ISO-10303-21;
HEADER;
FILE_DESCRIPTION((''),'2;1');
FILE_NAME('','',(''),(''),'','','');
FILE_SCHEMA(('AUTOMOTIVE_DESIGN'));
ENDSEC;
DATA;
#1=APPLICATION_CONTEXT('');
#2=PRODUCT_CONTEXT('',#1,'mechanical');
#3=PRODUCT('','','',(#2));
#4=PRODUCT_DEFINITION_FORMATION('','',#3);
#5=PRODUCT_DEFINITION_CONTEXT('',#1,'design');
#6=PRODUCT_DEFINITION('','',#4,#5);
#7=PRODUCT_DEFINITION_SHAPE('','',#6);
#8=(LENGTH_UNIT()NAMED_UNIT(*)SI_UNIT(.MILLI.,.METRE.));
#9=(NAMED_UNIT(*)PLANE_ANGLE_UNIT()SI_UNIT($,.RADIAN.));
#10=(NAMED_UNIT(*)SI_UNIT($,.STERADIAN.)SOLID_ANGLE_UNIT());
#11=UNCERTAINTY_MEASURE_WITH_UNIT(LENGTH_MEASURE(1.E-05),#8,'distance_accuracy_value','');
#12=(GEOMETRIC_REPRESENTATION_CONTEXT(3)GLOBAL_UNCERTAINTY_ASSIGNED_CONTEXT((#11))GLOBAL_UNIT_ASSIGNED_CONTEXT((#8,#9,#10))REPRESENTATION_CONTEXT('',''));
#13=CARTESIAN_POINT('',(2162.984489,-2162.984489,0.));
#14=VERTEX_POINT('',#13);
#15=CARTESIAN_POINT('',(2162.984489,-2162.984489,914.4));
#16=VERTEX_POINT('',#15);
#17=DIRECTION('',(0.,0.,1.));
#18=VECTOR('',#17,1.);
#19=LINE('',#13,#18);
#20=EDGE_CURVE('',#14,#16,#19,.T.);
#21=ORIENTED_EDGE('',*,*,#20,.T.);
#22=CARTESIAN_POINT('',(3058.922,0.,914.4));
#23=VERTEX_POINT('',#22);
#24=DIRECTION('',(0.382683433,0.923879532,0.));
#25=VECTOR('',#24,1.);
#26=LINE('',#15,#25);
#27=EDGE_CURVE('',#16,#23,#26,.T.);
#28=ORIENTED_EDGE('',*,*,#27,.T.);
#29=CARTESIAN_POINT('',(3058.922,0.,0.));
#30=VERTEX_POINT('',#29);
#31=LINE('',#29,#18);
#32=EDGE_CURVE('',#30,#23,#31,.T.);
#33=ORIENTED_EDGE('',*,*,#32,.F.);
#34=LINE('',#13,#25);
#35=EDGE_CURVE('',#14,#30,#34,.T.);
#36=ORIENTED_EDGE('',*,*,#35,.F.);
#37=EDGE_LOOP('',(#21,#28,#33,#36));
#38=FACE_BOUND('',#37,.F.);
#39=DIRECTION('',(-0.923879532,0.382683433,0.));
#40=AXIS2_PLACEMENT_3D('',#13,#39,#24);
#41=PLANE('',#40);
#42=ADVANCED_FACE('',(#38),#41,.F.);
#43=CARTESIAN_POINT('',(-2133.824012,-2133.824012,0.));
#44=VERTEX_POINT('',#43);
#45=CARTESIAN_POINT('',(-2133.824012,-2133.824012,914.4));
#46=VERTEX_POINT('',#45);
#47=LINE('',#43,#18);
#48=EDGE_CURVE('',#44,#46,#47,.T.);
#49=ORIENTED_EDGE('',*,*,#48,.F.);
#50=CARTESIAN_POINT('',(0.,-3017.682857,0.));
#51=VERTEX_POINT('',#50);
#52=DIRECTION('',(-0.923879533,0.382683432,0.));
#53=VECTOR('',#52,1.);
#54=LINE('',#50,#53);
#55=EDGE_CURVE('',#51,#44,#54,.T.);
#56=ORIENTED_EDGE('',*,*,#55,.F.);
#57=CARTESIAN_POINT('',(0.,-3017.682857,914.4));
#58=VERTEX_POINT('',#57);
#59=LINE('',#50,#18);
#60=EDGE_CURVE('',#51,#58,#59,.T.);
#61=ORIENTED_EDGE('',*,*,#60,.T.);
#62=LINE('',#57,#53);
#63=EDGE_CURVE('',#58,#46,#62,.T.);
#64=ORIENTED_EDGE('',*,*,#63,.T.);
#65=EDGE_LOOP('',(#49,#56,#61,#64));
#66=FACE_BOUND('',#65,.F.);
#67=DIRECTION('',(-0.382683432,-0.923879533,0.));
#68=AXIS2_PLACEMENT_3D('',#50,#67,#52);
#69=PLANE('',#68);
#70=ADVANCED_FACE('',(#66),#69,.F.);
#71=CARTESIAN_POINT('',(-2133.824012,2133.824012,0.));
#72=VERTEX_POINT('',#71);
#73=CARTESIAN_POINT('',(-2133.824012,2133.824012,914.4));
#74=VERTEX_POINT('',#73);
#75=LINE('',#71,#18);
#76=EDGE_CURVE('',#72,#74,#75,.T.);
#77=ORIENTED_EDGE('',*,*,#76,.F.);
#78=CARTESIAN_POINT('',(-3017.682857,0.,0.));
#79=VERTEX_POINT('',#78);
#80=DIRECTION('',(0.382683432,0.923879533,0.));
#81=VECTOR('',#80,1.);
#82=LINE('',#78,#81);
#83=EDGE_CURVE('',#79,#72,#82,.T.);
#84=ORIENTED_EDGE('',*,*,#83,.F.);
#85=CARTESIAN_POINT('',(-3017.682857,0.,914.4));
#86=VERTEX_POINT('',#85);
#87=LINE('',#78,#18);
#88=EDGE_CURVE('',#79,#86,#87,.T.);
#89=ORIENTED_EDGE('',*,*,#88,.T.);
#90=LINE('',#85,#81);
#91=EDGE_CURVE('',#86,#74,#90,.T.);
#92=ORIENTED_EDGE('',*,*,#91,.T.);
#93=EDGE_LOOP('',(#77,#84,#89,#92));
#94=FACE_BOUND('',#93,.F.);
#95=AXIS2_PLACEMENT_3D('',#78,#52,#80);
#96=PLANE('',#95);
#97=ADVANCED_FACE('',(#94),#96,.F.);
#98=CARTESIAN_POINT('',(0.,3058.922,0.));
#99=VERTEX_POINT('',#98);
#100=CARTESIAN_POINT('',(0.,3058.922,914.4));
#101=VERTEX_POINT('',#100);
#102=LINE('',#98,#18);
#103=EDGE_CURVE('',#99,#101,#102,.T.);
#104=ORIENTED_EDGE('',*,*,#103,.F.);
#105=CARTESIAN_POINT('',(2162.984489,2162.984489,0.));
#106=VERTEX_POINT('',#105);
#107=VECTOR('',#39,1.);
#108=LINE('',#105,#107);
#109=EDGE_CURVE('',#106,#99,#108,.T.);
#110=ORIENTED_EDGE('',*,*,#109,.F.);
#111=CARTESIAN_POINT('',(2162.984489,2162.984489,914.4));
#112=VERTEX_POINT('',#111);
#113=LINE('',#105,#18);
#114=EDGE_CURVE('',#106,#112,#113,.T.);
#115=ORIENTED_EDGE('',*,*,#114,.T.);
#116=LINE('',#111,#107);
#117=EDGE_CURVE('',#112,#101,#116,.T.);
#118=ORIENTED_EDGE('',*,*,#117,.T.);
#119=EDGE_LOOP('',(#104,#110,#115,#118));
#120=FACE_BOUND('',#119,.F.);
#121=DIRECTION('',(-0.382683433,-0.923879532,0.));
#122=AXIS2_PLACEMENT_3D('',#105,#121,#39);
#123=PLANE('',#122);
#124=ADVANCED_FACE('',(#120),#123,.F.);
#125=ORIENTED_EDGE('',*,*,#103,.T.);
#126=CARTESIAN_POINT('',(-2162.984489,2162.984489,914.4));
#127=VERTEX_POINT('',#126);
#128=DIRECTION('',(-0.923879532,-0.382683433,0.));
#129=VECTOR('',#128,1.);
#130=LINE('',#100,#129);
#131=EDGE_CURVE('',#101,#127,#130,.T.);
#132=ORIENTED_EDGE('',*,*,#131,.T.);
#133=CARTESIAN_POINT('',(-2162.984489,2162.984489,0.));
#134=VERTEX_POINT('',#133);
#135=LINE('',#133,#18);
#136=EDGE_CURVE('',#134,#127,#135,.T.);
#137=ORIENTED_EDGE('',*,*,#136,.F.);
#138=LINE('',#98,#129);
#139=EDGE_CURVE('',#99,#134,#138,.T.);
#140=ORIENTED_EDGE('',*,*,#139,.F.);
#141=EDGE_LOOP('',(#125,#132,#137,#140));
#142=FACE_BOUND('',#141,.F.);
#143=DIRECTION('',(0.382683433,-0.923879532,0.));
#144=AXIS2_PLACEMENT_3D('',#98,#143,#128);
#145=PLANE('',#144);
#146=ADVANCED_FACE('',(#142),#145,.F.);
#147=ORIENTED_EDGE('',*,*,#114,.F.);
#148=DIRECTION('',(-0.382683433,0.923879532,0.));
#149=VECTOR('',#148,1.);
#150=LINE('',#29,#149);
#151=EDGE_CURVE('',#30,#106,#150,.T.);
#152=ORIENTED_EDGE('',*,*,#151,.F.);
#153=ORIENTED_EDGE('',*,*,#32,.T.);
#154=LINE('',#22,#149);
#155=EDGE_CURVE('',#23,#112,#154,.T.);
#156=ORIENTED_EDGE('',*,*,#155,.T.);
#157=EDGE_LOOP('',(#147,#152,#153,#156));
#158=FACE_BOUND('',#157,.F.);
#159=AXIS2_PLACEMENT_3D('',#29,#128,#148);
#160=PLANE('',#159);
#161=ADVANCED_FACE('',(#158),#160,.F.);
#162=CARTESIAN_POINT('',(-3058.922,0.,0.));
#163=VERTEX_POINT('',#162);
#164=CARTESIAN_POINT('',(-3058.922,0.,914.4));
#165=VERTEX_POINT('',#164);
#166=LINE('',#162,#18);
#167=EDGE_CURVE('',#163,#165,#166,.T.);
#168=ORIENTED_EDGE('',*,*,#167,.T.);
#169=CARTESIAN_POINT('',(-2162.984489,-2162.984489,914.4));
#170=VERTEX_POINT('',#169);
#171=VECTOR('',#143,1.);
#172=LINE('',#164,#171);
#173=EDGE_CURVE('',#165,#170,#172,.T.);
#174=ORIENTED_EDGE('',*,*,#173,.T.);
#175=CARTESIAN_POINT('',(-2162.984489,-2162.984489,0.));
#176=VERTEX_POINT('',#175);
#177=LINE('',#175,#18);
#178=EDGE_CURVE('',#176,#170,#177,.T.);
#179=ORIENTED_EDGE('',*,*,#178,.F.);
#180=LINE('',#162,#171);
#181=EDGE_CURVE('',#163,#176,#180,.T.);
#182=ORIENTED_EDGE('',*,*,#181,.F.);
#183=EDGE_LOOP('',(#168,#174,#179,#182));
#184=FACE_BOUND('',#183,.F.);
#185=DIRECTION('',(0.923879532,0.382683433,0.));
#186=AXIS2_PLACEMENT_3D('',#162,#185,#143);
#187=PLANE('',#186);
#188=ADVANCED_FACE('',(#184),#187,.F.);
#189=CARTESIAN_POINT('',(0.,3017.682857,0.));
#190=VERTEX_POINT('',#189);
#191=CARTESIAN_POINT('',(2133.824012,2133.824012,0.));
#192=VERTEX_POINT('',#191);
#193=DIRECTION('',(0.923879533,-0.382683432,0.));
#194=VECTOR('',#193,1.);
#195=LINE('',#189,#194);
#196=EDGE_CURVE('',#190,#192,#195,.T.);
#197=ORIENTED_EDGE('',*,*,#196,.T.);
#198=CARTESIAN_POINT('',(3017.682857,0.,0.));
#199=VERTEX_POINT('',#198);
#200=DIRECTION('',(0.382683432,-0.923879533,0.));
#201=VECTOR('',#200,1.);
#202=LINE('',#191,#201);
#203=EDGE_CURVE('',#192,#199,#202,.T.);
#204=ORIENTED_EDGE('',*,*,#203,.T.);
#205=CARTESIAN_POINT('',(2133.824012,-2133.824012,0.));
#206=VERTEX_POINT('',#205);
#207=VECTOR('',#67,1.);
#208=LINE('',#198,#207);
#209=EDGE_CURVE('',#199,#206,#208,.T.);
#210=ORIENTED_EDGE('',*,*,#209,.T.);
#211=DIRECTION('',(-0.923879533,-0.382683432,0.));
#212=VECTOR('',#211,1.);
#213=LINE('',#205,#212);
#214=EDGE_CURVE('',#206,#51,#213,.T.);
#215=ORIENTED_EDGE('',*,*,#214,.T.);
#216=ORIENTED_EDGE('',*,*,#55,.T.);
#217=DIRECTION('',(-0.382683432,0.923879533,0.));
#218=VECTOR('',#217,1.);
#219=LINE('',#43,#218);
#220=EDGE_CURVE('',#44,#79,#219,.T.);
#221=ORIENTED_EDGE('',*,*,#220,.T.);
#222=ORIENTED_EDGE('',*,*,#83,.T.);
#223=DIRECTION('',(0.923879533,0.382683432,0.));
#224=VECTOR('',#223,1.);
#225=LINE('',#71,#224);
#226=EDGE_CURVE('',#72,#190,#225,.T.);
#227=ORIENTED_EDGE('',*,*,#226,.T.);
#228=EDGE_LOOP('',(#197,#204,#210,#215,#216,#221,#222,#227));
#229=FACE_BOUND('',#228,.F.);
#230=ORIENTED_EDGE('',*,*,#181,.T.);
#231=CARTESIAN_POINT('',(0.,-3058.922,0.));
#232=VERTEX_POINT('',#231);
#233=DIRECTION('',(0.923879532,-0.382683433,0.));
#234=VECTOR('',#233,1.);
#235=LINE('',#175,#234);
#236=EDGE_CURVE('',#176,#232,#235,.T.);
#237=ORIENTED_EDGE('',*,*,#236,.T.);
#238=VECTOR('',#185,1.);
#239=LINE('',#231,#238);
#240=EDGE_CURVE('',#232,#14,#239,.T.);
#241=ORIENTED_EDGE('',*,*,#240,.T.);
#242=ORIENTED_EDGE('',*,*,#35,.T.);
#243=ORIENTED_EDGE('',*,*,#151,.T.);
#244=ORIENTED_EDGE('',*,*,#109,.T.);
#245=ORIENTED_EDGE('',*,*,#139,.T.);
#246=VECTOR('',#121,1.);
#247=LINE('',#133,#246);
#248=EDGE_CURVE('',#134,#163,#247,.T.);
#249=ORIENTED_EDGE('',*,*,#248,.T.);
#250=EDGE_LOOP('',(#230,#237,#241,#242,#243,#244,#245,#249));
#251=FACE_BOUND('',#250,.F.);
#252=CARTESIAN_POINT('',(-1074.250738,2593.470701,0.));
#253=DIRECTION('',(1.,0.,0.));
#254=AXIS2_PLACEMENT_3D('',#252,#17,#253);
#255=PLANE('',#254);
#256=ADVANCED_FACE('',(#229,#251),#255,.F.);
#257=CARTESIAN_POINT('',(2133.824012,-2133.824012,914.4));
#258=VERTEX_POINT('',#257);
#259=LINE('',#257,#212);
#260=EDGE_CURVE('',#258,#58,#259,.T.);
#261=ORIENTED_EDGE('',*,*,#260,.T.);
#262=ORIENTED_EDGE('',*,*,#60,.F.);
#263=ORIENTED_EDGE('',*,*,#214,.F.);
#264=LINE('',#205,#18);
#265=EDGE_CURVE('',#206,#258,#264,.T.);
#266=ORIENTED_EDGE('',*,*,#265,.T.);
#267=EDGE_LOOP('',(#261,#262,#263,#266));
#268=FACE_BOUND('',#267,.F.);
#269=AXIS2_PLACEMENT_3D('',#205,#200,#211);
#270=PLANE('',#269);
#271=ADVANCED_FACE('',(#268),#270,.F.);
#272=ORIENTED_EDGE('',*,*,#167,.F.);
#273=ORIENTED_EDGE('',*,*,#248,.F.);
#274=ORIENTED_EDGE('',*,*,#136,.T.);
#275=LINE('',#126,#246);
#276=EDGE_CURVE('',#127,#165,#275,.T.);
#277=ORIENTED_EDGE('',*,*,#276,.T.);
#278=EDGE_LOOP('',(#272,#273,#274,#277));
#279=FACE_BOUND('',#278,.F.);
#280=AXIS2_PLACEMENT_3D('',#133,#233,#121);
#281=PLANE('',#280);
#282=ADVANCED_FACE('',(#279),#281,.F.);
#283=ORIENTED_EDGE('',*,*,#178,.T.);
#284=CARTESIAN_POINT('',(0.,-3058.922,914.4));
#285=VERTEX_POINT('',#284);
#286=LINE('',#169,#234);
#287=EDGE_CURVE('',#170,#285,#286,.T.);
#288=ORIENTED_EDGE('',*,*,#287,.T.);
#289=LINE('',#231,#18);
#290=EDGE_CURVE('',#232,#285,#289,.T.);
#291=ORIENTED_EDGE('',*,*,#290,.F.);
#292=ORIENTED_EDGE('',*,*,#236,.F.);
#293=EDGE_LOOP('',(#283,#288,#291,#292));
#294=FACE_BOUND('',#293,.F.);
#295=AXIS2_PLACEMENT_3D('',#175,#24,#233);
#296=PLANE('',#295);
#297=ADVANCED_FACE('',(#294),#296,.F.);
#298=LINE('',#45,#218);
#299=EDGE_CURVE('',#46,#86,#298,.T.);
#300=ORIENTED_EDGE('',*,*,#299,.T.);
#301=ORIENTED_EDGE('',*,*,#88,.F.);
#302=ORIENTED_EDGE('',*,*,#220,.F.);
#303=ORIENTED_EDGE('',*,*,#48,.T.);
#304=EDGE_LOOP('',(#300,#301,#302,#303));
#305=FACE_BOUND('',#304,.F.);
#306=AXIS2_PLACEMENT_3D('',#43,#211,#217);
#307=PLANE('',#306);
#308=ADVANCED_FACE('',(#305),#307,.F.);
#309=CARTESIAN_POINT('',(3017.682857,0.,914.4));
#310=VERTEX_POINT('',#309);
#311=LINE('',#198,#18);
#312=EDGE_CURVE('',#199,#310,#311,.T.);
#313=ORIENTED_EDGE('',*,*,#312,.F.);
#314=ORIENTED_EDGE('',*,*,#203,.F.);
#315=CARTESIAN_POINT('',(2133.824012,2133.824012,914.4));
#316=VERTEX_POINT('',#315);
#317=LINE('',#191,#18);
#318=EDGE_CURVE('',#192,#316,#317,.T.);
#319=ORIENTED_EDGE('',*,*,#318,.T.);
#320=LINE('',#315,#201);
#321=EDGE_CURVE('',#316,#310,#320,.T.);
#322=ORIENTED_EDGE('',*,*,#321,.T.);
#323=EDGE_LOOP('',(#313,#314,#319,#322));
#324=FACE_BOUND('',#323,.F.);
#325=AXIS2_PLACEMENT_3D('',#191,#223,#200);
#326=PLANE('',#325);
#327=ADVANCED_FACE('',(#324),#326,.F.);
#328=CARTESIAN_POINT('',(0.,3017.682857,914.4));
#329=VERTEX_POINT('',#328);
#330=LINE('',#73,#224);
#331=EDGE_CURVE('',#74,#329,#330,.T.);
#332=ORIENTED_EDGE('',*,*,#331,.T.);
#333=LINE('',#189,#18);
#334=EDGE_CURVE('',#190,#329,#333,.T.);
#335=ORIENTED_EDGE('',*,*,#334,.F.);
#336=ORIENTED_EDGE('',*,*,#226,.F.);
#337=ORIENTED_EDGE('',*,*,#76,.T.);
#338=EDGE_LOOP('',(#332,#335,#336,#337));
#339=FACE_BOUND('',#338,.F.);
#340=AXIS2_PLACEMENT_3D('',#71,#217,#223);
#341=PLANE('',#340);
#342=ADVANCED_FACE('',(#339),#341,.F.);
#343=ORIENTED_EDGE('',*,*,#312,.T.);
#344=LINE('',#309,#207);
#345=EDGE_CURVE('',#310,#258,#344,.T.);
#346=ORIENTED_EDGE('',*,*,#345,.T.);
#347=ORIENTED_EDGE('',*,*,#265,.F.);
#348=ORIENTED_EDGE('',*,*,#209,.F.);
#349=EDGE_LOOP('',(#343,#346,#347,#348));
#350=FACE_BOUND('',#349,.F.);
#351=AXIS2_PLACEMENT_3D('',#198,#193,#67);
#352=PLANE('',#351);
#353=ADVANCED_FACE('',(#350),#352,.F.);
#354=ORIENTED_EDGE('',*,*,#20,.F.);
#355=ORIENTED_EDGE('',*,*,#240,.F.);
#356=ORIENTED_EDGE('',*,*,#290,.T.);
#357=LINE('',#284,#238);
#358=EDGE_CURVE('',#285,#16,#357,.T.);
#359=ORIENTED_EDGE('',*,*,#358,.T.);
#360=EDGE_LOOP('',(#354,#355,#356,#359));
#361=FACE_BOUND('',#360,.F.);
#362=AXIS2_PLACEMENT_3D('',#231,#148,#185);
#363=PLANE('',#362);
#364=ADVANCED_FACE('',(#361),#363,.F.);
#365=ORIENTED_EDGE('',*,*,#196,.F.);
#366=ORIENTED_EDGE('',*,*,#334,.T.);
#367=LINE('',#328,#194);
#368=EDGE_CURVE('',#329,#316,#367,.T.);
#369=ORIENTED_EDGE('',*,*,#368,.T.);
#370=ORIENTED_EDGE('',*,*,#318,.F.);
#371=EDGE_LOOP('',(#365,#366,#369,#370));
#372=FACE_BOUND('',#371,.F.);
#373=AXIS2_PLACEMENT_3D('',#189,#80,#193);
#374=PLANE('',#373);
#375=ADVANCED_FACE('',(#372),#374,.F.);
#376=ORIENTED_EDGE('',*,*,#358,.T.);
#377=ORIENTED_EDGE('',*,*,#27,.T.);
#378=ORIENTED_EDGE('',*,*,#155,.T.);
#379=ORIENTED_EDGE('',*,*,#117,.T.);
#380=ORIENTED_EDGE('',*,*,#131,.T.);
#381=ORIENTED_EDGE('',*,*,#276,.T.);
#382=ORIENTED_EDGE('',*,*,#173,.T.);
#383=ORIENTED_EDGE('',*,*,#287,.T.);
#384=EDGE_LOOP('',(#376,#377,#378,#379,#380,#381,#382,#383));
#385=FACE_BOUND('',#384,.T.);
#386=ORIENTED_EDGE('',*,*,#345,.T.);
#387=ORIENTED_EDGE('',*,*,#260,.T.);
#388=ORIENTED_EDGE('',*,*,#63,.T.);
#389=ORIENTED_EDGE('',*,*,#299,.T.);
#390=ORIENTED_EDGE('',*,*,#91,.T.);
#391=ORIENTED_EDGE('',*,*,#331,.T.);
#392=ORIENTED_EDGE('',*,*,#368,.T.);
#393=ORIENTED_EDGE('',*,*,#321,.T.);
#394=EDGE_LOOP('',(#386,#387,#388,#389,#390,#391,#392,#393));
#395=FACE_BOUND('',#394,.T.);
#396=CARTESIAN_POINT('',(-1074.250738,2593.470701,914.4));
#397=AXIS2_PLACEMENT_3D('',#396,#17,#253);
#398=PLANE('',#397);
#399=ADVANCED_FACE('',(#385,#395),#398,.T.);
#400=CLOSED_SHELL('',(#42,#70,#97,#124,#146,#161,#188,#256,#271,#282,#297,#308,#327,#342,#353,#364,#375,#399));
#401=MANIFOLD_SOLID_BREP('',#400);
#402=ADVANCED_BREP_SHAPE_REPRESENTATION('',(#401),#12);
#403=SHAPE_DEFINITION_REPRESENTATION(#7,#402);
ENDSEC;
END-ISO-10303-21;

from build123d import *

# Parameters (mm, degrees)
F1_DEPTH = 914.4


with BuildPart() as f1:
    # F0 (on Top) → F1 (new body)
    with BuildSketch(Plane.XY):
        Polygon((0, 3017.682857), (0, 3058.922), (-2162.984489, 2162.984489), (-2133.824012, 2133.824012), align=None)
        Polygon((2133.824012, 2133.824012), (2162.984489, 2162.984489), (0, 3058.922), (0, 3017.682857), align=None)
        Polygon((3017.682857, 0), (3058.922, 0), (2162.984489, 2162.984489), (2133.824012, 2133.824012), align=None)
        Polygon((0, -3058.922), (2162.984489, -2162.984489), (2133.824012, -2133.824012), (0, -3017.682857), align=None)
        Polygon((2162.984489, -2162.984489), (3058.922, 0), (3017.682857, 0), (2133.824012, -2133.824012), align=None)
        Polygon((-2162.984489, -2162.984489), (0, -3058.922), (0, -3017.682857), (-2133.824012, -2133.824012), align=None)
        Polygon((-3058.922, 0), (-2162.984489, -2162.984489), (-2133.824012, -2133.824012), (-3017.682857, 0), align=None)
        Polygon((-2133.824012, 2133.824012), (-2162.984489, 2162.984489), (-3058.922, 0), (-3017.682857, 0), align=None)
    extrude(amount=F1_DEPTH)


solid = f1.part
